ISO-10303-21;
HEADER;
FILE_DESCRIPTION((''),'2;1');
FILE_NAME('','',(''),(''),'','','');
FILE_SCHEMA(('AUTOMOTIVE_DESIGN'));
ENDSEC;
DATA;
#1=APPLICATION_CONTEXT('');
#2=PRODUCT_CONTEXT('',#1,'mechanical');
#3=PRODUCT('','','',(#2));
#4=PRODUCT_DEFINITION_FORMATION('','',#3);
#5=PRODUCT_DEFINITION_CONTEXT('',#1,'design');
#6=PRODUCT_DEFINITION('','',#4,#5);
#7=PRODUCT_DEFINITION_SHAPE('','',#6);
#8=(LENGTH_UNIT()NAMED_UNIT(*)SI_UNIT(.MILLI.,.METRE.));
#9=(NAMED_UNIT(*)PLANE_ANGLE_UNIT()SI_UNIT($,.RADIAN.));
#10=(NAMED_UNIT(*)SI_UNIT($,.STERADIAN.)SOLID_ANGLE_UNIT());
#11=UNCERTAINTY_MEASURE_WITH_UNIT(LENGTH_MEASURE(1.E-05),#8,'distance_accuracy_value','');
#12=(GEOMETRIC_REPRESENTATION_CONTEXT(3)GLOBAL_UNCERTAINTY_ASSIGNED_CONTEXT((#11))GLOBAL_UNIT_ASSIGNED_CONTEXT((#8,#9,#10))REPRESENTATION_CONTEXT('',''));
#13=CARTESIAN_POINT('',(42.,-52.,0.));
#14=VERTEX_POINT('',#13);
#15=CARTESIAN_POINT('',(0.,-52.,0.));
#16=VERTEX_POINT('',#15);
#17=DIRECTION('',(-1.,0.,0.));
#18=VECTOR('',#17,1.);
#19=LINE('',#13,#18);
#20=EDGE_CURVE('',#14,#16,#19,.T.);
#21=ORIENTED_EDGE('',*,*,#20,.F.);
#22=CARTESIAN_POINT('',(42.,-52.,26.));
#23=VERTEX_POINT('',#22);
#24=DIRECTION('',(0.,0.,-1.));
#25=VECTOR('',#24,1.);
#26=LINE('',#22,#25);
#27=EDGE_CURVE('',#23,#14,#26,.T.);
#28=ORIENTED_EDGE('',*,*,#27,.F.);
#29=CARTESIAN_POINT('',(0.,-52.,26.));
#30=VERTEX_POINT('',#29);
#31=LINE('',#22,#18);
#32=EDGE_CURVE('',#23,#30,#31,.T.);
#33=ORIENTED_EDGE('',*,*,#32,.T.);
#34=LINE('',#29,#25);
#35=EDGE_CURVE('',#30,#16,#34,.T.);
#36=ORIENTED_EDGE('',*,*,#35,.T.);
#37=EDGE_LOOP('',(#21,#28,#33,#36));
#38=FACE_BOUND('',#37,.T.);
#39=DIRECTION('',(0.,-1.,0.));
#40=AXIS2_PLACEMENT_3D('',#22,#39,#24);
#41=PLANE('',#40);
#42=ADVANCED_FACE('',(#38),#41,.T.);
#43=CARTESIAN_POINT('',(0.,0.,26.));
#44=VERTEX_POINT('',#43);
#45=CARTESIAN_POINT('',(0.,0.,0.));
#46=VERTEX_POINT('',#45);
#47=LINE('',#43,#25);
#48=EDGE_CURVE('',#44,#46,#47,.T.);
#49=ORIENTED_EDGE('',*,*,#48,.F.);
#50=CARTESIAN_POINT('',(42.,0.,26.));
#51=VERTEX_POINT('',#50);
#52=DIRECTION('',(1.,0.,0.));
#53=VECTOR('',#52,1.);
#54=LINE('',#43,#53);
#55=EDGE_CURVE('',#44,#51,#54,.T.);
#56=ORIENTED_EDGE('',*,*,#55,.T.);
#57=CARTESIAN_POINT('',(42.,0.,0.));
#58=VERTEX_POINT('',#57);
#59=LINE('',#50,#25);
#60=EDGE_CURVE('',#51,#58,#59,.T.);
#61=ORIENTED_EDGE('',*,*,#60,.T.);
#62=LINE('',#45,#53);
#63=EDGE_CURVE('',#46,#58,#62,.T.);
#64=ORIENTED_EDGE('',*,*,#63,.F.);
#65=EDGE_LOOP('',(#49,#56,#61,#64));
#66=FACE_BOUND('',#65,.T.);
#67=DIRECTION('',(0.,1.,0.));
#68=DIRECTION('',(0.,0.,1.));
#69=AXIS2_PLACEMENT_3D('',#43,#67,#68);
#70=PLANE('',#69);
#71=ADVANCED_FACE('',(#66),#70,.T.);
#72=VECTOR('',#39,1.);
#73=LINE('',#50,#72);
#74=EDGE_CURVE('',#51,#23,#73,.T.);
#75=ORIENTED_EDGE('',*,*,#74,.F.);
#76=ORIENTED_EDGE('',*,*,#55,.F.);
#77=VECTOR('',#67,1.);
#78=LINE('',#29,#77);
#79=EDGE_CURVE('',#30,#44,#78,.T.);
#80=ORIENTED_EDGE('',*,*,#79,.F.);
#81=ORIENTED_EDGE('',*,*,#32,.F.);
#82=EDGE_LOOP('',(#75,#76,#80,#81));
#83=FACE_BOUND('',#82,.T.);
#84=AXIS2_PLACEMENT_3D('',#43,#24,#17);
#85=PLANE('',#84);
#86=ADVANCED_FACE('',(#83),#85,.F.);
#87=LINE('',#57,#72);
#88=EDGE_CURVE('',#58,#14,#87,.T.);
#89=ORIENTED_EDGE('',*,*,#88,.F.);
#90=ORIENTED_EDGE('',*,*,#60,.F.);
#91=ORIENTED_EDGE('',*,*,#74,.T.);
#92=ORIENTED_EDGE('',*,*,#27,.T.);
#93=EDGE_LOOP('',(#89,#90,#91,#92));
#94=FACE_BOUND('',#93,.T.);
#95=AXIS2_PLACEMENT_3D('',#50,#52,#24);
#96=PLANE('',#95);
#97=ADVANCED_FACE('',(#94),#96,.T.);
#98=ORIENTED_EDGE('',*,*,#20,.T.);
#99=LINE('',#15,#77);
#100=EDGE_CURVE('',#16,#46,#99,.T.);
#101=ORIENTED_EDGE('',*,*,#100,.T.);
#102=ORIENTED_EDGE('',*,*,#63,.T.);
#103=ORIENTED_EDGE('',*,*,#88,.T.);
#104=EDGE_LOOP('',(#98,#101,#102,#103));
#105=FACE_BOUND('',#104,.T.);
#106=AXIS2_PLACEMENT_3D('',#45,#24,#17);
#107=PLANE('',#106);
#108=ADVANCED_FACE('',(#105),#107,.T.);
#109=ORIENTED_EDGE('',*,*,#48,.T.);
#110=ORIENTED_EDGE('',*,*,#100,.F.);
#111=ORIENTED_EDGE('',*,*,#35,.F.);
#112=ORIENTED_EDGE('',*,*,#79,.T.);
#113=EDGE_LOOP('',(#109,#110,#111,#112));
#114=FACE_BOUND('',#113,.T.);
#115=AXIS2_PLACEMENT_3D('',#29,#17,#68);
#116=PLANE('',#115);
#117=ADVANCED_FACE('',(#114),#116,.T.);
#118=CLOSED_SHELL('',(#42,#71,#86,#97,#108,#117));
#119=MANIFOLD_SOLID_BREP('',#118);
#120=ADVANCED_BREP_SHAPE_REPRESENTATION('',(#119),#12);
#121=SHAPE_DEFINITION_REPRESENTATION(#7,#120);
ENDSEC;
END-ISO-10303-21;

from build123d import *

# Parameters (mm, degrees)
SKETCH1_W           = 42
SKETCH1_H           = 52
BOSS_EXTRUDE1_DEPTH = 26


with BuildPart() as part:
    # Sketch1 → Boss-Extrude1 (new body)
    with BuildSketch(Plane(origin=(0, 0, 0), x_dir=(-1, 0, 0), z_dir=(0, 0, -1))):
        with Locations((-21, -26)):
            Rectangle(SKETCH1_W, SKETCH1_H)
    extrude(amount=-BOSS_EXTRUDE1_DEPTH)


solid = part.part
